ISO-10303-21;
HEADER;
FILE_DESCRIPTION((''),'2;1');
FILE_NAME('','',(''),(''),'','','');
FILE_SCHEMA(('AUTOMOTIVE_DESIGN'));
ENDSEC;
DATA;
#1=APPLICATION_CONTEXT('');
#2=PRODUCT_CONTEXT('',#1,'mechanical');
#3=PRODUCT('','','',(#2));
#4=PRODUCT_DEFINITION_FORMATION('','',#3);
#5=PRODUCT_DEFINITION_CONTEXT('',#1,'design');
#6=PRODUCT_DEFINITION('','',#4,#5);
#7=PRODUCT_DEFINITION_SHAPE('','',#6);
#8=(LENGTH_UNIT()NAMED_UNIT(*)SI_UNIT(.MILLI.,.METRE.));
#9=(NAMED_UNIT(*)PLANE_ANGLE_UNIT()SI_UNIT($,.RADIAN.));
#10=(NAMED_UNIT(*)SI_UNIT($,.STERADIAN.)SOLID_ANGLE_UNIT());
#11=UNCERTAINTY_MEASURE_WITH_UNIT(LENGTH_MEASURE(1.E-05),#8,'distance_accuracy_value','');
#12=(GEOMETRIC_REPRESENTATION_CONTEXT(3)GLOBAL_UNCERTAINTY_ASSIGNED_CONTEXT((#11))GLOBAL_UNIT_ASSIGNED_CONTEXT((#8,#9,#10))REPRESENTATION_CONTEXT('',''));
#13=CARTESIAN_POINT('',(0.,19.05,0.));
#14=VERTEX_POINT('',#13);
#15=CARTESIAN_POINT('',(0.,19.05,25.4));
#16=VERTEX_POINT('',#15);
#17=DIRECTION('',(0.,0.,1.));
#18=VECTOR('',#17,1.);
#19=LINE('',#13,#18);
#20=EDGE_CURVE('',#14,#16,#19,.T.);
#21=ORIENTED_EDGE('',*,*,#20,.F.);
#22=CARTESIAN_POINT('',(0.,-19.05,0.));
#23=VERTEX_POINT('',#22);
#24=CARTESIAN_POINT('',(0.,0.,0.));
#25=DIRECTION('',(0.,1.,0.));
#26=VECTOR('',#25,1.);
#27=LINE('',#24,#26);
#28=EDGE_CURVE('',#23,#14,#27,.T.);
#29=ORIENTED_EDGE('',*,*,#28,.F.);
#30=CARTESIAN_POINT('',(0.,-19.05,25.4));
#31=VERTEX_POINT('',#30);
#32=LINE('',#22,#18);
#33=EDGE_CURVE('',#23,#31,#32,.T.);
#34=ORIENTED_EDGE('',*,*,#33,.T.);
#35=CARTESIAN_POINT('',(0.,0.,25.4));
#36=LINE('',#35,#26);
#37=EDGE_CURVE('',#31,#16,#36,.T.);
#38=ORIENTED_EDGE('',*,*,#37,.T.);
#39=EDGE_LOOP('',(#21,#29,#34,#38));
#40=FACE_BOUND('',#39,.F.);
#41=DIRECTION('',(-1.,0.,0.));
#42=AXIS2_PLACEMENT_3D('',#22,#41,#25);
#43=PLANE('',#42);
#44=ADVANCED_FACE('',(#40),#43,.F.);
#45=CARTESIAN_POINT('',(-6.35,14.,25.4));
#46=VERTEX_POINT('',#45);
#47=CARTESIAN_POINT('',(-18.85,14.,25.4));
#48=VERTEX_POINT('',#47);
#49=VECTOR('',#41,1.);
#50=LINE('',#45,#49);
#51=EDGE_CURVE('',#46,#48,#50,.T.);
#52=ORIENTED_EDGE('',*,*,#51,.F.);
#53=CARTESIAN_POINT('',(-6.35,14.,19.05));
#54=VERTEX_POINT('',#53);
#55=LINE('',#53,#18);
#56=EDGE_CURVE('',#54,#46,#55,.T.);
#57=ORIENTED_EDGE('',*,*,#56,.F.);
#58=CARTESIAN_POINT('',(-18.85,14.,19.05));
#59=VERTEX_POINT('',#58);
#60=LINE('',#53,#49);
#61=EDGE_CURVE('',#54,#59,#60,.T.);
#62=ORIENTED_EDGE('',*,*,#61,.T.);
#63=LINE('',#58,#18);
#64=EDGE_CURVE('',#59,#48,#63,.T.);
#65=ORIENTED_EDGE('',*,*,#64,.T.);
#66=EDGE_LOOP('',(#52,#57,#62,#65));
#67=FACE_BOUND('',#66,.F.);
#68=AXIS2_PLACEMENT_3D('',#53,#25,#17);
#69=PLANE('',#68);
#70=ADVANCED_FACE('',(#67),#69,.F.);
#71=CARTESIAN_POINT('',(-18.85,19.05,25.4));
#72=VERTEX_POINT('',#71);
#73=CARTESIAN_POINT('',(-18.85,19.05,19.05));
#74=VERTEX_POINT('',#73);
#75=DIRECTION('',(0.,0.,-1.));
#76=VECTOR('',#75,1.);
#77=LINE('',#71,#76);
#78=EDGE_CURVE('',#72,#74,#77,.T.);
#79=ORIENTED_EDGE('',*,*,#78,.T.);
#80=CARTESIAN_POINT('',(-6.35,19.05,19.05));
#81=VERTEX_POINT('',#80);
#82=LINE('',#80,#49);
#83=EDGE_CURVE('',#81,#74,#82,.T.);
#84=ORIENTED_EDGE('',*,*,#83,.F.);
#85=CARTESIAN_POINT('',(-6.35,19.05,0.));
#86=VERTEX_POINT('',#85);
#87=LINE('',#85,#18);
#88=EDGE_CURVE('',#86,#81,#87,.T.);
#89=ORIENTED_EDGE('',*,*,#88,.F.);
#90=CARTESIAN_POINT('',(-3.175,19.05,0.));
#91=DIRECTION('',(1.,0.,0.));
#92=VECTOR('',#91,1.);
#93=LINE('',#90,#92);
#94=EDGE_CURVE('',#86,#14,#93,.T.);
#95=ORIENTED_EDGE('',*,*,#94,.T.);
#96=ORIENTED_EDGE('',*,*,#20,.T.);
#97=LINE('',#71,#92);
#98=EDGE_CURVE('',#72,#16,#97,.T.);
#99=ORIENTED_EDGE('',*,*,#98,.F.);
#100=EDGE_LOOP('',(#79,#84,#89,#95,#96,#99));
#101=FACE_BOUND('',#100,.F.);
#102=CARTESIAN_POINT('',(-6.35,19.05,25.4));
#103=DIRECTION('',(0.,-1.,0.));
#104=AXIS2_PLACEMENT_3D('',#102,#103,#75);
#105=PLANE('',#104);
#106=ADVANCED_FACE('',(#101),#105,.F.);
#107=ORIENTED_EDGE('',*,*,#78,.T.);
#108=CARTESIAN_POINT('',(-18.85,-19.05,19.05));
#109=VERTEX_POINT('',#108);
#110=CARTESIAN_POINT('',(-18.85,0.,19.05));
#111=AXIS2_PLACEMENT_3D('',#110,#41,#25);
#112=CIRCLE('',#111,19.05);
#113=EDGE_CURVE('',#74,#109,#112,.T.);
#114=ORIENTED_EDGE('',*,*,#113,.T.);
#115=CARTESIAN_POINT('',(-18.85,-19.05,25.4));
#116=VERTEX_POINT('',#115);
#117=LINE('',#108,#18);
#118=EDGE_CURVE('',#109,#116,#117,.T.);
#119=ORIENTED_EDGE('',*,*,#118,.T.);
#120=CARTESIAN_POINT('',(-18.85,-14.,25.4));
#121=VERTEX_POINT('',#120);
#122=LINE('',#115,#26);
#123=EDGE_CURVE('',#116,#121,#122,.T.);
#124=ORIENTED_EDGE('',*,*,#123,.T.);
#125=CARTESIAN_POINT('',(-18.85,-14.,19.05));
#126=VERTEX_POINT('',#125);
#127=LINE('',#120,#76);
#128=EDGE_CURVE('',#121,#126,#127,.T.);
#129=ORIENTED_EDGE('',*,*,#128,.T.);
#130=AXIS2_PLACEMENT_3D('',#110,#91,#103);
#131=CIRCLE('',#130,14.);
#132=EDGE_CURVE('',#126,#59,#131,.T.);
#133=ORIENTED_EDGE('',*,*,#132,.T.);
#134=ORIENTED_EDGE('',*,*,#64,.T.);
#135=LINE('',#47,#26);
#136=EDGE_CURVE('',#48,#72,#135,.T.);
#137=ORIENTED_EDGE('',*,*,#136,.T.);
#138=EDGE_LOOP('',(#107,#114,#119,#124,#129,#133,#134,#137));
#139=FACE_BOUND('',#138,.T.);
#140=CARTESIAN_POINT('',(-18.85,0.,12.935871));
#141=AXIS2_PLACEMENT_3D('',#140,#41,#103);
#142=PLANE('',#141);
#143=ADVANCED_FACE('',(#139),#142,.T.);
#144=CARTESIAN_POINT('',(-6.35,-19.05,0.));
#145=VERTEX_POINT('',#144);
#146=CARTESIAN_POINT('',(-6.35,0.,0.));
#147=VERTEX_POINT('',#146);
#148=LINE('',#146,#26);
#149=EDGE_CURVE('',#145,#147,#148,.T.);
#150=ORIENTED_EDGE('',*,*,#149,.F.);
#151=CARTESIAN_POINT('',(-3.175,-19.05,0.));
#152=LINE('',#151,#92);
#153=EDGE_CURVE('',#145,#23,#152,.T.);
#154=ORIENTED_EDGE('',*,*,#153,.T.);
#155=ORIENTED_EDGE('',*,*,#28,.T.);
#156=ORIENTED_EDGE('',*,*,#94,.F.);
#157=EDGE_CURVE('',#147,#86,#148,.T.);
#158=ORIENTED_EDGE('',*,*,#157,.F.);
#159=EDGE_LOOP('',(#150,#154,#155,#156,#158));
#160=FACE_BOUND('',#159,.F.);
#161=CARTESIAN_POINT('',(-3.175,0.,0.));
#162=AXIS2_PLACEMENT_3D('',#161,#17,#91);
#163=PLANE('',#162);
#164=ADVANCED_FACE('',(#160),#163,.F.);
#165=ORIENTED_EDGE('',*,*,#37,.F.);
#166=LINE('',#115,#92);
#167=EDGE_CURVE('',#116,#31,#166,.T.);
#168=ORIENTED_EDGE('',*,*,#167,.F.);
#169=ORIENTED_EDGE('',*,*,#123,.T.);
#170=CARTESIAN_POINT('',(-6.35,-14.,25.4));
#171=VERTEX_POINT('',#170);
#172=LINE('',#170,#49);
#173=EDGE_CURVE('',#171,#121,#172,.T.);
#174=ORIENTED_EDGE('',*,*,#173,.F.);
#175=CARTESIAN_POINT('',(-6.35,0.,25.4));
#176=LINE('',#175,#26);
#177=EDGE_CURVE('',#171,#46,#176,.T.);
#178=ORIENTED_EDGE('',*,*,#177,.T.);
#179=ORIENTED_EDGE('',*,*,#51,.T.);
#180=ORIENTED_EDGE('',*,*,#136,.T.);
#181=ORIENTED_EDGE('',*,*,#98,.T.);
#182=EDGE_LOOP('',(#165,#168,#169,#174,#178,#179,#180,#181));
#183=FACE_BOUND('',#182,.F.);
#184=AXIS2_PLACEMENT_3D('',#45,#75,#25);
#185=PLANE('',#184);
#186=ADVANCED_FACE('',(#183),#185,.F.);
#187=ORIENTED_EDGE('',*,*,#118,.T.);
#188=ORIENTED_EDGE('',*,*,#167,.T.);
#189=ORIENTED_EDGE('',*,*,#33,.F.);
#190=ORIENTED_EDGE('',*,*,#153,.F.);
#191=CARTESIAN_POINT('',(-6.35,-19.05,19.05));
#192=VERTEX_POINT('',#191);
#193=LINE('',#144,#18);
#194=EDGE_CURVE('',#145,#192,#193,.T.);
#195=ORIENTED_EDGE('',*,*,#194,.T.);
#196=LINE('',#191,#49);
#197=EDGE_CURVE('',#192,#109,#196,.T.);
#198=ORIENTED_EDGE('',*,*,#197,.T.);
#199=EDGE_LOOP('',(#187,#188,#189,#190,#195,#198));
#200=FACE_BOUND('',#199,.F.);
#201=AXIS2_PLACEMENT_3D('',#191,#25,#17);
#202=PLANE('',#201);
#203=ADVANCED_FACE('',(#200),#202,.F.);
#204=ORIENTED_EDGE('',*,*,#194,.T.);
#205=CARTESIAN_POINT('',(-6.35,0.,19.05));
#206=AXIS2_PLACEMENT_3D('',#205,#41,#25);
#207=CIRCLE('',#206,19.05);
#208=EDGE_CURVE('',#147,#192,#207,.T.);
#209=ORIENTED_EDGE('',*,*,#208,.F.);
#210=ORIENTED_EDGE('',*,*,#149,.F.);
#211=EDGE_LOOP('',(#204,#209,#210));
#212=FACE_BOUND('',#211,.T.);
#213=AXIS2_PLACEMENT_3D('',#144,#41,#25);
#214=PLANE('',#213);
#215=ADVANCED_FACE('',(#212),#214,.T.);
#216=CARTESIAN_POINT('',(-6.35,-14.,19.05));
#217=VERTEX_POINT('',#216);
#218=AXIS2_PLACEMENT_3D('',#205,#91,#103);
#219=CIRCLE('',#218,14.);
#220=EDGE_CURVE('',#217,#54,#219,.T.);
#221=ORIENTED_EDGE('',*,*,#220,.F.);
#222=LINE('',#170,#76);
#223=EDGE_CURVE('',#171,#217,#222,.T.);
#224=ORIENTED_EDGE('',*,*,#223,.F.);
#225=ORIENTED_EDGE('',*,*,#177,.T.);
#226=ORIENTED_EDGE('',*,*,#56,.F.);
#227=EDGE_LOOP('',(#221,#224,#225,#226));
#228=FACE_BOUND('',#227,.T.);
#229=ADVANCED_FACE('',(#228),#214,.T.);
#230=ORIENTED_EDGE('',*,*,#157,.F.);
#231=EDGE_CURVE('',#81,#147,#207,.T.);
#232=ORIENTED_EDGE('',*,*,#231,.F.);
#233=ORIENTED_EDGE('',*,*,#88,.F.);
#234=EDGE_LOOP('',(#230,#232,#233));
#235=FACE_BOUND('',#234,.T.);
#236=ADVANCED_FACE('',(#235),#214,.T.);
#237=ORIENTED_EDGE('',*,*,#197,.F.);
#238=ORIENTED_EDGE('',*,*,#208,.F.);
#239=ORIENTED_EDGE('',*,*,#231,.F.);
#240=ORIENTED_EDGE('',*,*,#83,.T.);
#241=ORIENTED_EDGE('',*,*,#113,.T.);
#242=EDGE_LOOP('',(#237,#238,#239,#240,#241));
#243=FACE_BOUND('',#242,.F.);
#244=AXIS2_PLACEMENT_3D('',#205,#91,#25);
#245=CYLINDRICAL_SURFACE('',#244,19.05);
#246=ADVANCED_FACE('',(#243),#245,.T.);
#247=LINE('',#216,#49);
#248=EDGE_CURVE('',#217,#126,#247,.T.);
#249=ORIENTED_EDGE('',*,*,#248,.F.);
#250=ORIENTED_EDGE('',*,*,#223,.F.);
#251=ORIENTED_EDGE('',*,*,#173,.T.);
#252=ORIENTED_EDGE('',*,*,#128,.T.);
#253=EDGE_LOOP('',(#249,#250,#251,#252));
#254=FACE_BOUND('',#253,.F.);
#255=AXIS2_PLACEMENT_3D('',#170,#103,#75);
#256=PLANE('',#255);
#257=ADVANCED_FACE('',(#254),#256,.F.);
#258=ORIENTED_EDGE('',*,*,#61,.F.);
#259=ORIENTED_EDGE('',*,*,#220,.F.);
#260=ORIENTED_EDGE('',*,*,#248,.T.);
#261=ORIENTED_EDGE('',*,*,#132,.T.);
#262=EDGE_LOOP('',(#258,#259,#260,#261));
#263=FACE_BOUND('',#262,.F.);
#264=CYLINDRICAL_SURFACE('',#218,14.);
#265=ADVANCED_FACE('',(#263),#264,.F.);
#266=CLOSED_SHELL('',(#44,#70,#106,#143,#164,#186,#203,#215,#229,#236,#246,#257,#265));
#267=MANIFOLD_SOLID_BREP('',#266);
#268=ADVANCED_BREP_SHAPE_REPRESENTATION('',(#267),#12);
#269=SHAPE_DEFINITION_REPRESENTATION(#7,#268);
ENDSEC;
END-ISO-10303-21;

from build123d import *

# Parameters (mm, degrees)
F0_W     = 6.35
F0_H     = 38.1
F1_DEPTH = 25.4
F3_DEPTH = 12.5


with BuildPart() as f1:
    # F0 (on Top) → F1 (new body)
    with BuildSketch(Plane.XY):
        with Locations((-3.175, 0)):
            Rectangle(F0_W, F0_H)
    extrude(amount=F1_DEPTH)

    # F2 (on face) → F3 (join)
    with BuildSketch(Plane(origin=(-6.35, 0, 0), x_dir=(0, -1, 0), z_dir=(-1, 0, 0))):
        with BuildLine():
            Line((-19.05, 25.4), (-19.05, 19.05))
            ThreePointArc((-19.05, 19.05), (0, 0), (19.05, 19.05))
            Line((19.05, 19.05), (19.05, 25.4))
            Line((19.05, 25.4), (14, 25.4))
            Line((14, 25.4), (14, 19.05))
            ThreePointArc((14, 19.05), (0, 5.05), (-14, 19.05))
            Line((-14, 19.05), (-14, 25.4))
            Line((-14, 25.4), (-19.05, 25.4))
        make_face()
    extrude(amount=F3_DEPTH)


solid = f1.part
